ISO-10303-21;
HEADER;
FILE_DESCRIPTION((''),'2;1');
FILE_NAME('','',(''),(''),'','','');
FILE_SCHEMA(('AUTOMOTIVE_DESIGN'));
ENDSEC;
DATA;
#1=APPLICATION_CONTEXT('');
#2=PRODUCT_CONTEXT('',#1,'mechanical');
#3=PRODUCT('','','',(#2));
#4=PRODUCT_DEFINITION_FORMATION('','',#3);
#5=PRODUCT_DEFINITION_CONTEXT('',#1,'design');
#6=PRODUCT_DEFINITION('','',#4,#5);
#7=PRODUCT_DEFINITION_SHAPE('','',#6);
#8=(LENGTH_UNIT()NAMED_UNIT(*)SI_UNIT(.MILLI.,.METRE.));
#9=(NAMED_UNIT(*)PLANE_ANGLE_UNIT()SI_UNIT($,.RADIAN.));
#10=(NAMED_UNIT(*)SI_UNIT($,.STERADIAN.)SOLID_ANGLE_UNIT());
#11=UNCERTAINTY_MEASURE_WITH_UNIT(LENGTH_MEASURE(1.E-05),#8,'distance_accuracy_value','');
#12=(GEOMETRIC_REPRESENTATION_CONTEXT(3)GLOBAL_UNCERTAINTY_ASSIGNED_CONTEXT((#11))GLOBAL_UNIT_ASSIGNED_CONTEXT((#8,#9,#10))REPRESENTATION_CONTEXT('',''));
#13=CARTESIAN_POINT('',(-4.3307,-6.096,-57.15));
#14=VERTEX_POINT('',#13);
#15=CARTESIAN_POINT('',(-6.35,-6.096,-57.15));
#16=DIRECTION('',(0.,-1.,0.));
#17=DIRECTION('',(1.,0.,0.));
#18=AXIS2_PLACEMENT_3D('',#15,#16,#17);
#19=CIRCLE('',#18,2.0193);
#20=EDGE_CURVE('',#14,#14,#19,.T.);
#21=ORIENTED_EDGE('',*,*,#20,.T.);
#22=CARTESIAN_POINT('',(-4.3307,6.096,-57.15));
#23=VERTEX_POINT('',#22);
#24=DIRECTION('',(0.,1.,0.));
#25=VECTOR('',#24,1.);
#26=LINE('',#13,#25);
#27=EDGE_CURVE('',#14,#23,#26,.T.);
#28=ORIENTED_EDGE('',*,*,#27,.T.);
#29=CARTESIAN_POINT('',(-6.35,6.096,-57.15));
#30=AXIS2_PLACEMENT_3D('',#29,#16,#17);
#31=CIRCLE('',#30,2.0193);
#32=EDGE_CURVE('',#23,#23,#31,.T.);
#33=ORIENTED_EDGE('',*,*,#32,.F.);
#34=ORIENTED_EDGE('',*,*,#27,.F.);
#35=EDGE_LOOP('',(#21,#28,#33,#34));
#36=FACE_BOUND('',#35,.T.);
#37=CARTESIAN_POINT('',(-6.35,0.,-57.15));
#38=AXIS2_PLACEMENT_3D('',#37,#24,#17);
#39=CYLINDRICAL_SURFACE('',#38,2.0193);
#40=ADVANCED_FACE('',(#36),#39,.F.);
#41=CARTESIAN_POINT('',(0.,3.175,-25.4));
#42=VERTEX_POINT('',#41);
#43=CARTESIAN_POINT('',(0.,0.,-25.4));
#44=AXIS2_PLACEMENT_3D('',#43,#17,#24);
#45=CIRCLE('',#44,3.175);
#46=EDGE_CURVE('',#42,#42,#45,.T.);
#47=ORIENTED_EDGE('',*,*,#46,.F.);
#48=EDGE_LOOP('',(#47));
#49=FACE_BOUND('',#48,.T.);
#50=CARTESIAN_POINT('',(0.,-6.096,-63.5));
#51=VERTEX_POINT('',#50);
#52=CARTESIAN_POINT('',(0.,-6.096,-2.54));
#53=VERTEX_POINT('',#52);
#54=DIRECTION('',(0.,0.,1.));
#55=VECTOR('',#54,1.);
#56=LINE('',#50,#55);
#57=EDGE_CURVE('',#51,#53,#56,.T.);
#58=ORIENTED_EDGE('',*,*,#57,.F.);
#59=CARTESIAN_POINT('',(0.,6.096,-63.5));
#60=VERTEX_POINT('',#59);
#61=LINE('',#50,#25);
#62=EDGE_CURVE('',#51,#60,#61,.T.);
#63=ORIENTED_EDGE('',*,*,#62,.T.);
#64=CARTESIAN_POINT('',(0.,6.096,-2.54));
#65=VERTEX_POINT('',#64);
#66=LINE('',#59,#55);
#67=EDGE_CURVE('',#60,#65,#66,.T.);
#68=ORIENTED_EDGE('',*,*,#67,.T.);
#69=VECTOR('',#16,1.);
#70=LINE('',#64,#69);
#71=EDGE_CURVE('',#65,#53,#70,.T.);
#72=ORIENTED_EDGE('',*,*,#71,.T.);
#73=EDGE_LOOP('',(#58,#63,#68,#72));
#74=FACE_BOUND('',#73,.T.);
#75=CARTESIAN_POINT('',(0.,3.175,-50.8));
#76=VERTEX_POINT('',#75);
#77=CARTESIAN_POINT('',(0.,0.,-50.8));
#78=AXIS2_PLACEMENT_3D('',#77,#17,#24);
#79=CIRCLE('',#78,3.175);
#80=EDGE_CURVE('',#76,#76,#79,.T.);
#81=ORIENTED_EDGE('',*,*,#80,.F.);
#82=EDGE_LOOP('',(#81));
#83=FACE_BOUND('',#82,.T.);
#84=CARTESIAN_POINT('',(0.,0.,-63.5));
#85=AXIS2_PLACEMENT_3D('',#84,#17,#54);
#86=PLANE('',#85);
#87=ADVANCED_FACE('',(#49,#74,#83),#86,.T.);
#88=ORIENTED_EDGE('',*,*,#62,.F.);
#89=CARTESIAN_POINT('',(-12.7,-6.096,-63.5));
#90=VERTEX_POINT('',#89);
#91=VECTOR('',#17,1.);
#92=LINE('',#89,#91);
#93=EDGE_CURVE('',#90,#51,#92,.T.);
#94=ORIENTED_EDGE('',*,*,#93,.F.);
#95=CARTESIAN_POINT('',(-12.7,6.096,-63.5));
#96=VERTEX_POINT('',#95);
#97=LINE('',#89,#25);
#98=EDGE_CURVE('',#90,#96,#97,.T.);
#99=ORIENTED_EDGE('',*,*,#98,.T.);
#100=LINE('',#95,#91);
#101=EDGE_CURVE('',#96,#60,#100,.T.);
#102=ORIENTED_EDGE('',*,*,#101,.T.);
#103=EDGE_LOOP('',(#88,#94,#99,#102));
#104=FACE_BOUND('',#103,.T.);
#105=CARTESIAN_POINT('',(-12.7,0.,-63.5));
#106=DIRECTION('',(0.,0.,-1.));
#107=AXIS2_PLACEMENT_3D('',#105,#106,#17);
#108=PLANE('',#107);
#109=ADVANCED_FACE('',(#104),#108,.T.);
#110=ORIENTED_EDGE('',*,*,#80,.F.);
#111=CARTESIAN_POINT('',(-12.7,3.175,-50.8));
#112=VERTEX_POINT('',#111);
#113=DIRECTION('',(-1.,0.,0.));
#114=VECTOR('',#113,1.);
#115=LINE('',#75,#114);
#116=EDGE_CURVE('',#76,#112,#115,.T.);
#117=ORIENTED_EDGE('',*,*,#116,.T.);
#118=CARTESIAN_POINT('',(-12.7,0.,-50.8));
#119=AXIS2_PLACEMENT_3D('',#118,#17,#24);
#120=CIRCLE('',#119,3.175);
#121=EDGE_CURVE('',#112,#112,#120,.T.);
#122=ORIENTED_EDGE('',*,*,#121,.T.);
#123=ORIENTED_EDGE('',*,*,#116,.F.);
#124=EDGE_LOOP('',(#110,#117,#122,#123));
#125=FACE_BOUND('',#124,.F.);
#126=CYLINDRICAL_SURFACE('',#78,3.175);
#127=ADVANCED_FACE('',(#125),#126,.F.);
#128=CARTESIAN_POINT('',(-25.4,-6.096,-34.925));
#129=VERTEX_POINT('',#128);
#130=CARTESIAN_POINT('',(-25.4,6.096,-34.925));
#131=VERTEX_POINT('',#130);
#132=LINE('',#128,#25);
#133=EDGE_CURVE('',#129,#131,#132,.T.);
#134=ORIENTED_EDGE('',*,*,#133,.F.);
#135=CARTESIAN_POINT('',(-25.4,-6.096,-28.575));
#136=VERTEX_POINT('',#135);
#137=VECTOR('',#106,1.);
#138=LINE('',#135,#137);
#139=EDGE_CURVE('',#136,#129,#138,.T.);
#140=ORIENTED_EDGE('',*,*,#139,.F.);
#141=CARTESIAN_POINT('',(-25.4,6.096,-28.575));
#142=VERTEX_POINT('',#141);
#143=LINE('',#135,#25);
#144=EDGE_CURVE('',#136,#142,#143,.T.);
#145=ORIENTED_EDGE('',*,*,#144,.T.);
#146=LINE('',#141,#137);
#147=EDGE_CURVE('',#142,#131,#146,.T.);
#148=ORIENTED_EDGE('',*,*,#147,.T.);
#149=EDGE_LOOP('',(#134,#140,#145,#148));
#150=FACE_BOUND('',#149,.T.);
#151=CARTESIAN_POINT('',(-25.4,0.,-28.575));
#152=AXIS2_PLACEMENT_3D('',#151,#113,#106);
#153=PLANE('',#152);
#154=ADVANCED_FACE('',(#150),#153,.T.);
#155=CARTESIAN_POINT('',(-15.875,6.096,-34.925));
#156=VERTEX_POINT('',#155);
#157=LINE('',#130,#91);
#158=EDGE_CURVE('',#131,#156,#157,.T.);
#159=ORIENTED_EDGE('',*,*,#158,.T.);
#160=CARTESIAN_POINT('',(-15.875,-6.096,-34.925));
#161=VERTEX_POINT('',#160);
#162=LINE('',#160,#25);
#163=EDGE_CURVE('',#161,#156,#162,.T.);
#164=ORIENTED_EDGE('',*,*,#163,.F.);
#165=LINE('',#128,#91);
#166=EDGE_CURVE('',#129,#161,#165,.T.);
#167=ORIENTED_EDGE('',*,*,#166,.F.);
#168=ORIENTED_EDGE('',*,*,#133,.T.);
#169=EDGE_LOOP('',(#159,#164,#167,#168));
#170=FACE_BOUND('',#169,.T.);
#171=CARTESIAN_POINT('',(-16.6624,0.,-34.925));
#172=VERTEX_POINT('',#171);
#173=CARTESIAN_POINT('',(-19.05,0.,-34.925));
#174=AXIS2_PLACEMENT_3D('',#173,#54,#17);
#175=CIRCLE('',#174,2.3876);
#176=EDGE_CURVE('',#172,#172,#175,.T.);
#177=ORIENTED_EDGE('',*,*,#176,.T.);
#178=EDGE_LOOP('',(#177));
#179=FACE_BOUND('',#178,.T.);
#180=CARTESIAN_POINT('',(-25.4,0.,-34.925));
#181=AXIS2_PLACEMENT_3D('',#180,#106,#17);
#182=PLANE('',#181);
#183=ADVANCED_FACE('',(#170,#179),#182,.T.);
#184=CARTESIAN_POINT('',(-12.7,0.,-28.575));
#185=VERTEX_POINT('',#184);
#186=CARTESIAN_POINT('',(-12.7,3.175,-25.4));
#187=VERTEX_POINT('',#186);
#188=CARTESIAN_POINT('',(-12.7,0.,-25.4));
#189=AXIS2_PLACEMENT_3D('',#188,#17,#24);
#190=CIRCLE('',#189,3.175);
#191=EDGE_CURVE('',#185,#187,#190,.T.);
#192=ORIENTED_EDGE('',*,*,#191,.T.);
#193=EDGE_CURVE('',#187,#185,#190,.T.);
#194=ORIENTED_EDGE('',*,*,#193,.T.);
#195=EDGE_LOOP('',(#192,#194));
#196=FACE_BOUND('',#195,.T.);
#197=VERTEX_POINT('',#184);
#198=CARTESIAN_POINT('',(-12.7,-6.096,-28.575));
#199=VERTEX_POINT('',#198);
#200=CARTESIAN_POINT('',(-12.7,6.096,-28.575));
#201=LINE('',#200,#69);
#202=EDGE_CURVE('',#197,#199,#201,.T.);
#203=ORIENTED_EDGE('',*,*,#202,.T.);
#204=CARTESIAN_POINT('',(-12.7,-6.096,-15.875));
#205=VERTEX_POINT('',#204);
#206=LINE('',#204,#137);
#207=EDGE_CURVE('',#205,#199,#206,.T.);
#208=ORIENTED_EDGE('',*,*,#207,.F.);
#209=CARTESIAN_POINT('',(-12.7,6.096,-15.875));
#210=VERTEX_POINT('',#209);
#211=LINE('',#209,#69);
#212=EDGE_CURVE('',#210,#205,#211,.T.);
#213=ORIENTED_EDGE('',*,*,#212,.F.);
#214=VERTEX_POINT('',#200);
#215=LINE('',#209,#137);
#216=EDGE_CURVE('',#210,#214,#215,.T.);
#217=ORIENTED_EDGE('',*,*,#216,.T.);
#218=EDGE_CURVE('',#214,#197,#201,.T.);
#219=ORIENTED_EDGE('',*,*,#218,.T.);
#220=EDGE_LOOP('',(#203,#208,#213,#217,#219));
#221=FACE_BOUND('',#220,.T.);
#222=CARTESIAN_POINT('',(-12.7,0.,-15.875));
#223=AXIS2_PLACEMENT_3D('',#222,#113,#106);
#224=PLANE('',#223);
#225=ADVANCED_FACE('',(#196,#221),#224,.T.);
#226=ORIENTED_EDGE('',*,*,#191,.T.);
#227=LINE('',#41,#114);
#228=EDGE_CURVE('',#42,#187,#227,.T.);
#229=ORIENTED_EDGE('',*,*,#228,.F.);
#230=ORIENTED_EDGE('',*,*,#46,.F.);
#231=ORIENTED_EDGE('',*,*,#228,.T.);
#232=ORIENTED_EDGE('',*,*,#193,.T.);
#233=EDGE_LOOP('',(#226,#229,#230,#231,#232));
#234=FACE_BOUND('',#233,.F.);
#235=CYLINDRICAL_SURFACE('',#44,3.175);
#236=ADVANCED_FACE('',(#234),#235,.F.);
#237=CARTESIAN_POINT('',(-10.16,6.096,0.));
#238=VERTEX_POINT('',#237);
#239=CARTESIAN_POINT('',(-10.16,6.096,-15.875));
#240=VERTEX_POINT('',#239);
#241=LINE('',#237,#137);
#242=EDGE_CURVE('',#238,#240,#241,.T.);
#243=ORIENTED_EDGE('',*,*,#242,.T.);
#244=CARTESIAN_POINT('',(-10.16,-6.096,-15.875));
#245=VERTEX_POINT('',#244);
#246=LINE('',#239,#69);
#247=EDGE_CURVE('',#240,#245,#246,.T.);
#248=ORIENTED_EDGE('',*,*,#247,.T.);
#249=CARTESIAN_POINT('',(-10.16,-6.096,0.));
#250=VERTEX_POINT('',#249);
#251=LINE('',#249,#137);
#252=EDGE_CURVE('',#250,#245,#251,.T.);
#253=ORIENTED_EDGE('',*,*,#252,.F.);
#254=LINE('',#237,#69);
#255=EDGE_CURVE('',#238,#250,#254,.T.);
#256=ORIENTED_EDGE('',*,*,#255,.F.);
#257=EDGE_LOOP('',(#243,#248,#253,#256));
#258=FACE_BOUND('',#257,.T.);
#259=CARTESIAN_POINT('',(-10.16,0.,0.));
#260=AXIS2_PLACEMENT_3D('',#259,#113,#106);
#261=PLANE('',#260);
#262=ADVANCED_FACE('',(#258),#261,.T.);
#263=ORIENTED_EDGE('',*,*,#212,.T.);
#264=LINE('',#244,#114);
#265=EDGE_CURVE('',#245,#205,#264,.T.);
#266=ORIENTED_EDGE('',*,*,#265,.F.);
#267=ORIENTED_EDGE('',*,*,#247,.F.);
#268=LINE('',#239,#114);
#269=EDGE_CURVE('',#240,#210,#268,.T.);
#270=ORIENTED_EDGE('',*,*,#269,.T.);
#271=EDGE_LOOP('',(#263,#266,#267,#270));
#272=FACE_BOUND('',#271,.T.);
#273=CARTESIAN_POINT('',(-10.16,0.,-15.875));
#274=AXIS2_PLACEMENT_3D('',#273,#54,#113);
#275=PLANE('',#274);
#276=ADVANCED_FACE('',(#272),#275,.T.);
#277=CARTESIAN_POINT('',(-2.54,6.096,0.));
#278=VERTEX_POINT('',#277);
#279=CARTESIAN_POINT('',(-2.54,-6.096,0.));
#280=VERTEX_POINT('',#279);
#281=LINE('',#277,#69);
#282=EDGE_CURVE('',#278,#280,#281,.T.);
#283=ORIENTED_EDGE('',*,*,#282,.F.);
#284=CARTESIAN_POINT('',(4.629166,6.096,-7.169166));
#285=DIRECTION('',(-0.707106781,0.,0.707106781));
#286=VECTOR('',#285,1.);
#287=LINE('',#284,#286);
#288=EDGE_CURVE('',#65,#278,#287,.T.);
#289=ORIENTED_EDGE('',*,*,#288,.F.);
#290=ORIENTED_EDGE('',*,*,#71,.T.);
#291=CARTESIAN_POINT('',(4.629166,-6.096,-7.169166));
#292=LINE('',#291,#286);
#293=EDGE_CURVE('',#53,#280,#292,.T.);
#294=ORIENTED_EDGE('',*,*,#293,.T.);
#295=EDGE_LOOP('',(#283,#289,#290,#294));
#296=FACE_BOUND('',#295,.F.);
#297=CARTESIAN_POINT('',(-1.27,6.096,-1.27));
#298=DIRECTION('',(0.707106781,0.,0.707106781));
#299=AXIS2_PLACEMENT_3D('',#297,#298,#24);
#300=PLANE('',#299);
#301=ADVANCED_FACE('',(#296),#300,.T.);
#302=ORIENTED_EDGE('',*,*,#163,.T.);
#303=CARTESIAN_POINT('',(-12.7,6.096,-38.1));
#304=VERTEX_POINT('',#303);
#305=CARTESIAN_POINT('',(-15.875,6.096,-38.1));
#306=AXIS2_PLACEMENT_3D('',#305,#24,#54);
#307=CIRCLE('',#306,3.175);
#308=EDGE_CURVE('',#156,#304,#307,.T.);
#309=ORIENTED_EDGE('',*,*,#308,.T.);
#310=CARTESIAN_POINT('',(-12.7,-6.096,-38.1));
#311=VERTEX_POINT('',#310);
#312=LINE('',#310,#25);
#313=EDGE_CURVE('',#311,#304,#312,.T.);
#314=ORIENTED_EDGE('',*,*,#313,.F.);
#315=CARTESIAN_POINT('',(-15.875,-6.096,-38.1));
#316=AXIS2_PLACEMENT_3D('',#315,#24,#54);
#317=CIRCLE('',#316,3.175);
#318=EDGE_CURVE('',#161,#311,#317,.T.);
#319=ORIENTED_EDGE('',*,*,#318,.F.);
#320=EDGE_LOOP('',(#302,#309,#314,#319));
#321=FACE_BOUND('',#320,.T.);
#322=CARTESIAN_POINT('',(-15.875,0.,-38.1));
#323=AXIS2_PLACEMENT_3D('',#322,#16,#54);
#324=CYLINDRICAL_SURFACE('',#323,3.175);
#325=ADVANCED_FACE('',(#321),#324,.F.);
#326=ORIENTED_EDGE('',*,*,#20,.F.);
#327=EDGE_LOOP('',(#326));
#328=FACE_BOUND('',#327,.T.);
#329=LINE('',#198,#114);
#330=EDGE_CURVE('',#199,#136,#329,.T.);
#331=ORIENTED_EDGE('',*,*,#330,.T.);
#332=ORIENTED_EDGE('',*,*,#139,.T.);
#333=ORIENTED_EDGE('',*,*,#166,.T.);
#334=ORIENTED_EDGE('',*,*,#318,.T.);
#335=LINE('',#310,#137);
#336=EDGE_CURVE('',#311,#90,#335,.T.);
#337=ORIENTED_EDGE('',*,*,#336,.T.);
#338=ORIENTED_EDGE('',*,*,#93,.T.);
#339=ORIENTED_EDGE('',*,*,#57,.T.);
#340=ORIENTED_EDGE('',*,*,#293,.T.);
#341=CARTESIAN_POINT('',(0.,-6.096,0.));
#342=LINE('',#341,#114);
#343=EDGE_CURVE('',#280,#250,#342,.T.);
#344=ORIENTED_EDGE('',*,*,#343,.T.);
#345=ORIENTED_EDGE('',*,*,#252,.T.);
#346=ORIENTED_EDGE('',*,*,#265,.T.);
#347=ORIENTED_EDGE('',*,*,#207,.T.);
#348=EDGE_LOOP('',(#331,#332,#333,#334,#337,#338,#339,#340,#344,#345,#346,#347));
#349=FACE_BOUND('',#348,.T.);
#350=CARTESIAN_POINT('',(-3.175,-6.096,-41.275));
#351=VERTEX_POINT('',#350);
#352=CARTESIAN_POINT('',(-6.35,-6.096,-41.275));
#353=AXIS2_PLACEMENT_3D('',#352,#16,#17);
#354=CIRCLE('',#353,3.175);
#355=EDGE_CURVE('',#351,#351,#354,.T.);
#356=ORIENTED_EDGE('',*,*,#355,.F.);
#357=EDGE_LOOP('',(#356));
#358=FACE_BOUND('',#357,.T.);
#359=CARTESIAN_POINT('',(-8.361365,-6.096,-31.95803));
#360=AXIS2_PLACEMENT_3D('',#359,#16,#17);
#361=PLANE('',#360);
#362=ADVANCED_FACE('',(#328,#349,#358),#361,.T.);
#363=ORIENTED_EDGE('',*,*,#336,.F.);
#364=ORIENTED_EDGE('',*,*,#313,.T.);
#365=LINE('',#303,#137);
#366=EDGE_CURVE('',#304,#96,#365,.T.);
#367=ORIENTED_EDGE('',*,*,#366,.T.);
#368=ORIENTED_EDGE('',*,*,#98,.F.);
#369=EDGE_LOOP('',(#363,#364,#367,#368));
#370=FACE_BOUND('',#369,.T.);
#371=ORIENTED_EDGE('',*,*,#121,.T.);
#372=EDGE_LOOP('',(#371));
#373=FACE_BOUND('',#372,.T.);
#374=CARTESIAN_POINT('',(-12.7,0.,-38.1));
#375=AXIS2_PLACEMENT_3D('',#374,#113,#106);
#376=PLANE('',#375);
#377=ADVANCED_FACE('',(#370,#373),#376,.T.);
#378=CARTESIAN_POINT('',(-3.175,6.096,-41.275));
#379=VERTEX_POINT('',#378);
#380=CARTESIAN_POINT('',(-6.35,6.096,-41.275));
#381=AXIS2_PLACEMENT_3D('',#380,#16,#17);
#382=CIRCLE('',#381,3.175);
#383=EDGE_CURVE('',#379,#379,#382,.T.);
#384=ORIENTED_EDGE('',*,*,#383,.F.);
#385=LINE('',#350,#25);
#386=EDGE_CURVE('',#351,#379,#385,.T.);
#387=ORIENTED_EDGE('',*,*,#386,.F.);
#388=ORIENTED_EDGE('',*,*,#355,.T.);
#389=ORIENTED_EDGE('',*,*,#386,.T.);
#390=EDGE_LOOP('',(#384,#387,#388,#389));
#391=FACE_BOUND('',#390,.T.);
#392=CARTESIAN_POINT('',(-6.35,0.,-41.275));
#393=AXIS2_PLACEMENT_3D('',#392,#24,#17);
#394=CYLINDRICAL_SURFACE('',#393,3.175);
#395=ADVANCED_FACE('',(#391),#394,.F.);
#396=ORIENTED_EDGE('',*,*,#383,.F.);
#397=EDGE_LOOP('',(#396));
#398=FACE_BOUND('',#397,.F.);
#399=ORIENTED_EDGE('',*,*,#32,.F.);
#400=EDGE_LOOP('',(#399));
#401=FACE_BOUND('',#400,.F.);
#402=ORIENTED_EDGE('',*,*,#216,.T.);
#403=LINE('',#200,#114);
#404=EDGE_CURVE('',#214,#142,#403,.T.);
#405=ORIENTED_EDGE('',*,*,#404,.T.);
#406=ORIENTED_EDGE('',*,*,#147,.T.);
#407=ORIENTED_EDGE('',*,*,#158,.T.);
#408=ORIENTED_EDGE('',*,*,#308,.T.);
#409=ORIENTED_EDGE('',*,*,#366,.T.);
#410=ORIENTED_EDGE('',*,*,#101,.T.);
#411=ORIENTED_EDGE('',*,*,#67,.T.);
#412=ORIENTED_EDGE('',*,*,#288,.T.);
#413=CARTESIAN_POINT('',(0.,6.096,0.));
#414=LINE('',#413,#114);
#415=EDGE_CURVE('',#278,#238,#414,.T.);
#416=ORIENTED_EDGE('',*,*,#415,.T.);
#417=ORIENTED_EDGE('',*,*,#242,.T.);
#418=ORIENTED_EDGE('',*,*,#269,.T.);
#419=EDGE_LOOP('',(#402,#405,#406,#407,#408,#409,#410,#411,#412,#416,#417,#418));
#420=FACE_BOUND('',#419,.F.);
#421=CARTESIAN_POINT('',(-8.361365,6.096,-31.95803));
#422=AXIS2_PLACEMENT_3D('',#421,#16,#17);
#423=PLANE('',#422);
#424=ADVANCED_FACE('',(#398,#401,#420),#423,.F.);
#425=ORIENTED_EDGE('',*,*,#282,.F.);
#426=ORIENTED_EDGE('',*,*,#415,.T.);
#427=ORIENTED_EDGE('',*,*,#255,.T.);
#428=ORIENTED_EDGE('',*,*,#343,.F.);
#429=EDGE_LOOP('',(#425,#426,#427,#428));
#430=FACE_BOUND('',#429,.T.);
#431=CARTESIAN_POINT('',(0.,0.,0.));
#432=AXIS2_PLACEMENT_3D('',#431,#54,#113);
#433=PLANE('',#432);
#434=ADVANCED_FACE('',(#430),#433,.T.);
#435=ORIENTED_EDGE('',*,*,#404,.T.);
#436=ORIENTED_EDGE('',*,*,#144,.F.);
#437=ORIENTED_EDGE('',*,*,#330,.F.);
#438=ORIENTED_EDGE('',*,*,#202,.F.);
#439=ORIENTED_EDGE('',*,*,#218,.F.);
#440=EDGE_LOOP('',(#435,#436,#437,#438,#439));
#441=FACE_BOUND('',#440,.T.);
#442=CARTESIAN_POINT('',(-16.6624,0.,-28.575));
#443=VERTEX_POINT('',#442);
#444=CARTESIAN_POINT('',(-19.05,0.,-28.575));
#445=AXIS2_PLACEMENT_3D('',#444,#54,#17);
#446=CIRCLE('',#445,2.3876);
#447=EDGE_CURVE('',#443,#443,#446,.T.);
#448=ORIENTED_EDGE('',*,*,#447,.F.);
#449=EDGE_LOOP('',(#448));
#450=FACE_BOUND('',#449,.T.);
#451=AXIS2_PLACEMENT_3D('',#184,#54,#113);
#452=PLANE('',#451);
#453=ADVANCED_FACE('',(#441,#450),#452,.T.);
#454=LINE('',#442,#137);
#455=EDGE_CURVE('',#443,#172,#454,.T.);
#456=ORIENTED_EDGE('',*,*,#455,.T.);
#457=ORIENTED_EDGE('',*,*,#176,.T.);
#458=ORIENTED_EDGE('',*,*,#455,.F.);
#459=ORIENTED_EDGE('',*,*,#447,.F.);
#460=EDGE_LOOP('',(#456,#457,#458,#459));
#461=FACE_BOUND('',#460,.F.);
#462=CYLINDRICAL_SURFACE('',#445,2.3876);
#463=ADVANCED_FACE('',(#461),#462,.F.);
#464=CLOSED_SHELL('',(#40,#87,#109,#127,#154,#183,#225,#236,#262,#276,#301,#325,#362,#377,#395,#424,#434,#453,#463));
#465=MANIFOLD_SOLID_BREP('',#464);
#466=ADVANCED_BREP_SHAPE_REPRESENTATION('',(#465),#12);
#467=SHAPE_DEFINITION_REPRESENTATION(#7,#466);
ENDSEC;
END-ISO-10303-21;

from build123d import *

# Parameters (mm, degrees)
F0_R     = 2.0193
F0_R_2   = 3.175
F1_DEPTH = 6.096
F2_R     = 3.175
F3_DEPTH = 25.401
F4_R     = 2.3876
F5_DEPTH = 34.926
F6_SIZE  = 2.54


with BuildPart() as f1:
    # F0 (on Front) → F1 (new body, symmetric)
    with BuildSketch(Plane.XZ):
        with BuildLine():
            Line((0, -63.5), (0, 0))
            Line((0, 0), (-10.16, 0))
            Line((-10.16, 0), (-10.16, -15.875))
            Line((-10.16, -15.875), (-12.7, -15.875))
            Line((-12.7, -15.875), (-12.7, -28.575))
            Line((-12.7, -28.575), (-25.4, -28.575))
            Line((-25.4, -28.575), (-25.4, -34.925))
            Line((-25.4, -34.925), (-15.875, -34.925))
            ThreePointArc((-15.875, -34.925), (-13.6299359697, -35.8549359697), (-12.7, -38.1))
            Line((-12.7, -38.1), (-12.7, -63.5))
            Line((-12.7, -63.5), (0, -63.5))
        make_face()
        with Locations((-6.35, -57.15)):
            Circle(F0_R, mode=Mode.SUBTRACT)
        with Locations((-6.35, -41.275)):
            Circle(F0_R_2, mode=Mode.SUBTRACT)
    extrude(amount=F1_DEPTH, both=True)

    # F2 (on face) → F3 (cut, through all)
    with BuildSketch(Plane.YZ):
        with Locations((0, -25.4)):
            Circle(F2_R)
        with Locations((0, -50.8)):
            Circle(F2_R)
    extrude(amount=-F3_DEPTH, mode=Mode.SUBTRACT)

    # F4 (on face) → F5 (cut, through all)
    with BuildSketch(Plane.XY.offset(-28.575)):
        with Locations((-19.05, 0)):
            Circle(F4_R)
    extrude(amount=-F5_DEPTH, mode=Mode.SUBTRACT)

    # F6
    f6_edges = [f1.edges().sort_by_distance(p)[0] for p in [
        (0, 0, 0),
    ]]
    chamfer(f6_edges, length=F6_SIZE)


solid = f1.part
